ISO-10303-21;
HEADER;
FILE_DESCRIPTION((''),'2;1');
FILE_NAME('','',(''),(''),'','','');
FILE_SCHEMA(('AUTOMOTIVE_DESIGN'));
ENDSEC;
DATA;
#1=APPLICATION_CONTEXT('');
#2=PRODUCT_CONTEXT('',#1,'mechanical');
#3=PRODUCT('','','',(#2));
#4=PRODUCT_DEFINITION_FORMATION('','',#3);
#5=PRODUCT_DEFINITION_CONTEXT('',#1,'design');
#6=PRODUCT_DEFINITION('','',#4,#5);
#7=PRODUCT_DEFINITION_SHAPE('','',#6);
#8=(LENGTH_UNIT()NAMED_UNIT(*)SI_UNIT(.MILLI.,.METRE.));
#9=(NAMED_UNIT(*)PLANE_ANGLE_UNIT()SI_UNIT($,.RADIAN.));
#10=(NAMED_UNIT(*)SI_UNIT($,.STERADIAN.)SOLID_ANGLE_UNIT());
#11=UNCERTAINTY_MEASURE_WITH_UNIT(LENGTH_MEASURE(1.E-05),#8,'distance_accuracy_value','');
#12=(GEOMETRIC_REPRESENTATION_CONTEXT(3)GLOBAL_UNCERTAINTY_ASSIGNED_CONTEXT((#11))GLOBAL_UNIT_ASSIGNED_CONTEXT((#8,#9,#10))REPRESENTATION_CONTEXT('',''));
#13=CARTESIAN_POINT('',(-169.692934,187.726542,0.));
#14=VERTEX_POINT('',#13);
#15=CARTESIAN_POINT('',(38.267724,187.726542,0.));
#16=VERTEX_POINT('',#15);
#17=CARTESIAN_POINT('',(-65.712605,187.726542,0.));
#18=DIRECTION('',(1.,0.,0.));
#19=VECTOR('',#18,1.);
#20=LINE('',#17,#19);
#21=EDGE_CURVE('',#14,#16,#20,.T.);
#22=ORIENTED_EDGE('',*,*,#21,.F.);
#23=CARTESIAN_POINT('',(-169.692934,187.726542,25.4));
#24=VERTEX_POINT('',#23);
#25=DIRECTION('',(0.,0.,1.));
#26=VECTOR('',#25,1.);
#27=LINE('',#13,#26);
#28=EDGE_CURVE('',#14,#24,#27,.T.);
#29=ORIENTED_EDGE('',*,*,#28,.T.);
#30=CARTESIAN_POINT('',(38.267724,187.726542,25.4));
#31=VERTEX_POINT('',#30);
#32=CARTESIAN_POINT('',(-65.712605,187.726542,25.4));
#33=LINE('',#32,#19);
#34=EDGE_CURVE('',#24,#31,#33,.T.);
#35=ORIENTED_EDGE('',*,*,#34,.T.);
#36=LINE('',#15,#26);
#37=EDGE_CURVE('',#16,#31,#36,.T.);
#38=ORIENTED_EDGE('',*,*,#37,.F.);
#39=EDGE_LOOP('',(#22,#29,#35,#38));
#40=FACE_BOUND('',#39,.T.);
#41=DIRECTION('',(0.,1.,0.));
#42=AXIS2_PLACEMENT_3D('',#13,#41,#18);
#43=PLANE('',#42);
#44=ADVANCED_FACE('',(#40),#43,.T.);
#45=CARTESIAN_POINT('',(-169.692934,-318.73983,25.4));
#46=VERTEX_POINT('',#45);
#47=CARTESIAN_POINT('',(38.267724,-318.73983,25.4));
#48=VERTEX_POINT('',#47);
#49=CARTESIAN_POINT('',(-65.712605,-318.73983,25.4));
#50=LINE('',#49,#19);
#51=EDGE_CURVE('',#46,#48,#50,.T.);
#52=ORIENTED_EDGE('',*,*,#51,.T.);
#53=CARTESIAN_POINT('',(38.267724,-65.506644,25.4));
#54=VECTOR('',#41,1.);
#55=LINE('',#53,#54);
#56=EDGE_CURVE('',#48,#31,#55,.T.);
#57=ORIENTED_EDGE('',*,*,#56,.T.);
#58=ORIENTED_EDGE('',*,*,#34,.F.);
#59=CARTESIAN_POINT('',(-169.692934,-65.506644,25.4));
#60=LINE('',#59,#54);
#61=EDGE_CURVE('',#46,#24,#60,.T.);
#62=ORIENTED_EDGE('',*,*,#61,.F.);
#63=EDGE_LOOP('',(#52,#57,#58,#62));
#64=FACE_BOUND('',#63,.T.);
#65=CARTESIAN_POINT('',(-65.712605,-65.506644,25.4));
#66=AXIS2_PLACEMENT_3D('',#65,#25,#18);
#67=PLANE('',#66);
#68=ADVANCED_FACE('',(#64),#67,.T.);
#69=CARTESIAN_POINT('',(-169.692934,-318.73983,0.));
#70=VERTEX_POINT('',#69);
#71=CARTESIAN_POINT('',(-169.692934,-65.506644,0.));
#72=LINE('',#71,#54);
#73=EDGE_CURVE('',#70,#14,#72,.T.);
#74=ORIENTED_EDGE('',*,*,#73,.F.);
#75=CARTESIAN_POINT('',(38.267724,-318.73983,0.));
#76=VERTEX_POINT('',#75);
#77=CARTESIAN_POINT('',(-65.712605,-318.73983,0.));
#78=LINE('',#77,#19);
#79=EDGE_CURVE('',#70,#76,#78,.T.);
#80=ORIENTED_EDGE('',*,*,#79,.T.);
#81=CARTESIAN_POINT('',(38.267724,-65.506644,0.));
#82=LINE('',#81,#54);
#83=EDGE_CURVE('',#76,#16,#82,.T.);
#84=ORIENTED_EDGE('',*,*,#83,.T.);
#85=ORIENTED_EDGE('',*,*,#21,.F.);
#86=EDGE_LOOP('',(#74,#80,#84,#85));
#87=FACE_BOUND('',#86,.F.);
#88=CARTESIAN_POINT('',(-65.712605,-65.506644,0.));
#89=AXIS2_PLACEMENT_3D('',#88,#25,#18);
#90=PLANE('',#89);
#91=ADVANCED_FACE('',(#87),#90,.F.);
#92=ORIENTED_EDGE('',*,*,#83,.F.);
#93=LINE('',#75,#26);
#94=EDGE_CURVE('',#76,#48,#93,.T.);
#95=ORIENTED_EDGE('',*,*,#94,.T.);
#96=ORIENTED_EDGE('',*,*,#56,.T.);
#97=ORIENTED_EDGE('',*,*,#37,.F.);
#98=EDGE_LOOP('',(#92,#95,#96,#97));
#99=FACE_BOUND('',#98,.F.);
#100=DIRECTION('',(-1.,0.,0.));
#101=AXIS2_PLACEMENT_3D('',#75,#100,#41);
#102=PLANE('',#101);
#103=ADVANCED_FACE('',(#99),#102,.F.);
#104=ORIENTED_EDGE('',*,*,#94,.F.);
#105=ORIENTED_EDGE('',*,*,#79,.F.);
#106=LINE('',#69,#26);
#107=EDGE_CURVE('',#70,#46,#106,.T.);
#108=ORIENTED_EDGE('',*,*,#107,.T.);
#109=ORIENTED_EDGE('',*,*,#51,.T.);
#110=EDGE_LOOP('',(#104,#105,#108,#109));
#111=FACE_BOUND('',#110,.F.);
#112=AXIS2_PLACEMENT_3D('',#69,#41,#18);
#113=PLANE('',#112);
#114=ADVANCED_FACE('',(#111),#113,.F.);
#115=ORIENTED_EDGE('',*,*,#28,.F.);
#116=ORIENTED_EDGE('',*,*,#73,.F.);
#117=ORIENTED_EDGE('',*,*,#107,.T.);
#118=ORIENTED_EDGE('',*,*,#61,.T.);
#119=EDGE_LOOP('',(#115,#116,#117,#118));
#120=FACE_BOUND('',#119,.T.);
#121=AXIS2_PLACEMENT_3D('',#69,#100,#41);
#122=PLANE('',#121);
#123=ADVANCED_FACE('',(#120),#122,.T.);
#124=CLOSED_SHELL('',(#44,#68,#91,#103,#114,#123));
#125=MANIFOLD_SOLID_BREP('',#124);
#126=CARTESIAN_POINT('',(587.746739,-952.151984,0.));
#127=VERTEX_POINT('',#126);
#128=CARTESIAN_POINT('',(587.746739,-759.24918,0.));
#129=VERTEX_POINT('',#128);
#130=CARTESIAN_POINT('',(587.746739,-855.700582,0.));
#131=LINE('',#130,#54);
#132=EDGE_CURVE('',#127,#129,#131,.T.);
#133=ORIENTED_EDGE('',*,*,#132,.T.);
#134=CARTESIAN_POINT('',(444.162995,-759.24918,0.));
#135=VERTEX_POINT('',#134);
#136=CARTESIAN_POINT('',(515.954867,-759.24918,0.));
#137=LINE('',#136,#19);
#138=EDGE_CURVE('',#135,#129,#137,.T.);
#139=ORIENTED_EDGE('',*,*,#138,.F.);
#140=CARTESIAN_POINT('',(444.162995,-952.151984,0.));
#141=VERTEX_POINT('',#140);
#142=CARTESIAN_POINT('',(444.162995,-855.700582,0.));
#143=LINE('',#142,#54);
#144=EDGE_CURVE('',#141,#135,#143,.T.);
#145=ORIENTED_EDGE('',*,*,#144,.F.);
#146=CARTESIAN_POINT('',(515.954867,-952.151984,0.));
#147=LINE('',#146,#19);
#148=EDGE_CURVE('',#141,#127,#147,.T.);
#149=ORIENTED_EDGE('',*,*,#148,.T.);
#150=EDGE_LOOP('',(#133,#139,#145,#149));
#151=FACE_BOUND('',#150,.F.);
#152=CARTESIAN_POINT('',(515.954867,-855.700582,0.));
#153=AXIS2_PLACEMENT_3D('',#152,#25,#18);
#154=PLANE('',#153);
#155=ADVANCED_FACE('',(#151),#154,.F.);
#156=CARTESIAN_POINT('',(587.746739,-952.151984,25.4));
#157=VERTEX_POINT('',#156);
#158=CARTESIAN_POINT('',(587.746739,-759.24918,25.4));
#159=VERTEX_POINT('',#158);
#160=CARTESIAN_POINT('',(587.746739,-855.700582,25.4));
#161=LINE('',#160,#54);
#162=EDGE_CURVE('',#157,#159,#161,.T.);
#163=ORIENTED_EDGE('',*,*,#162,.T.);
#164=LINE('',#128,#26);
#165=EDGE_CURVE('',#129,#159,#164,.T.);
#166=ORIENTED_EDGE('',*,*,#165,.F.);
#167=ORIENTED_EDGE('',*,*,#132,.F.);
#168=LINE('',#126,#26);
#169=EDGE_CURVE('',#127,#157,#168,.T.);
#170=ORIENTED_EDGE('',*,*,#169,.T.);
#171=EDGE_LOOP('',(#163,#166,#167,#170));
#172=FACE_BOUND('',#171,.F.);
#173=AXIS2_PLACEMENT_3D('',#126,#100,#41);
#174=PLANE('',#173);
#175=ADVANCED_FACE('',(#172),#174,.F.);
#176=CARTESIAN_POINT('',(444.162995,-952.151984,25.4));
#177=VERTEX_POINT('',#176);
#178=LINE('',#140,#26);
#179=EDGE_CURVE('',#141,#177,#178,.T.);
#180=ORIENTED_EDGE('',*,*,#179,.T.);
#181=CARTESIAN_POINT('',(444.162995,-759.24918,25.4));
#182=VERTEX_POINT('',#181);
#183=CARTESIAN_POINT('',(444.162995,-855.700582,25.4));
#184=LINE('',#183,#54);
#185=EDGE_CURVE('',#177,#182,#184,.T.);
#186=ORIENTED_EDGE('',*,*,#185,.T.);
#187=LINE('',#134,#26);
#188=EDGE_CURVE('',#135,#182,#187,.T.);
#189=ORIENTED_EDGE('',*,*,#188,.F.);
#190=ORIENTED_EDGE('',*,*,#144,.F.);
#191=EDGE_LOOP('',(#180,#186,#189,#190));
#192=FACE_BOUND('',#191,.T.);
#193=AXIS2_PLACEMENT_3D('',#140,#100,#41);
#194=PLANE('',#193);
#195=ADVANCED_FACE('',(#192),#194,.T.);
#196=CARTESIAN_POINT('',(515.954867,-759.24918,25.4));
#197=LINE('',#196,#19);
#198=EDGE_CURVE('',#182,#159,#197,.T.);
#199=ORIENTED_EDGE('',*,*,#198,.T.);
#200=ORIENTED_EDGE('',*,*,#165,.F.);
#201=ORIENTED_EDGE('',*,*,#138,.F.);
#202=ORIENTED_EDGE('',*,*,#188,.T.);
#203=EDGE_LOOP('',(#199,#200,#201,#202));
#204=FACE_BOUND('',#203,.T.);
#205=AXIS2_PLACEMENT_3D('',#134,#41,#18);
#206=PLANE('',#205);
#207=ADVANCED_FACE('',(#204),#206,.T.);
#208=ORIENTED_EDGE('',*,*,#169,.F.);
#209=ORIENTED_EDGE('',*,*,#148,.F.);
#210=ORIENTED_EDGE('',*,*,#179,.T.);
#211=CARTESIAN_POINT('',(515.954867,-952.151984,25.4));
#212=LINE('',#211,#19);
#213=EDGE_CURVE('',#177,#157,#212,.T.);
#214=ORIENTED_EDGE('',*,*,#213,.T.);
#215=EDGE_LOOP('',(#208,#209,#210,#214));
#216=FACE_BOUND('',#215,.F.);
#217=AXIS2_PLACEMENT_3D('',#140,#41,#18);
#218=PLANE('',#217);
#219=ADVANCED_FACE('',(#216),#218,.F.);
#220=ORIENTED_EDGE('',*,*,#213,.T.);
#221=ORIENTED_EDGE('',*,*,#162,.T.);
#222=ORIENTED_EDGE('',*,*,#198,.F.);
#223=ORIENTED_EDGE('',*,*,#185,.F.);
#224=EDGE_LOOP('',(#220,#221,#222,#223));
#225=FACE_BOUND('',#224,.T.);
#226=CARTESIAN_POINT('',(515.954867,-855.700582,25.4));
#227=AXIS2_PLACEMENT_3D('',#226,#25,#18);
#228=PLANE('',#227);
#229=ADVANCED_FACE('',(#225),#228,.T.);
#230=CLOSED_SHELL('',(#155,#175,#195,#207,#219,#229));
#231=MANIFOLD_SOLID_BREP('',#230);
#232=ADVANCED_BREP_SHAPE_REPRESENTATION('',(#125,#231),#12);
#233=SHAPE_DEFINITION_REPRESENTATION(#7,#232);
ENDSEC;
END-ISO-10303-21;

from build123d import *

# Parameters (mm, degrees)
F0_W     = 207.960658
F0_H     = 506.466373
F0_W_2   = 143.583744
F0_H_2   = 192.902803
F1_DEPTH = 25.4


with BuildPart() as f1:
    # F0 (on Top) → F1 (new body)
    with BuildSketch(Plane.XY):
        with Locations((-65.712605, -65.506644)):
            Rectangle(F0_W, F0_H)
        with Locations((515.954867, -855.700582)):
            Rectangle(F0_W_2, F0_H_2)
    extrude(amount=F1_DEPTH)


solid = f1.part
